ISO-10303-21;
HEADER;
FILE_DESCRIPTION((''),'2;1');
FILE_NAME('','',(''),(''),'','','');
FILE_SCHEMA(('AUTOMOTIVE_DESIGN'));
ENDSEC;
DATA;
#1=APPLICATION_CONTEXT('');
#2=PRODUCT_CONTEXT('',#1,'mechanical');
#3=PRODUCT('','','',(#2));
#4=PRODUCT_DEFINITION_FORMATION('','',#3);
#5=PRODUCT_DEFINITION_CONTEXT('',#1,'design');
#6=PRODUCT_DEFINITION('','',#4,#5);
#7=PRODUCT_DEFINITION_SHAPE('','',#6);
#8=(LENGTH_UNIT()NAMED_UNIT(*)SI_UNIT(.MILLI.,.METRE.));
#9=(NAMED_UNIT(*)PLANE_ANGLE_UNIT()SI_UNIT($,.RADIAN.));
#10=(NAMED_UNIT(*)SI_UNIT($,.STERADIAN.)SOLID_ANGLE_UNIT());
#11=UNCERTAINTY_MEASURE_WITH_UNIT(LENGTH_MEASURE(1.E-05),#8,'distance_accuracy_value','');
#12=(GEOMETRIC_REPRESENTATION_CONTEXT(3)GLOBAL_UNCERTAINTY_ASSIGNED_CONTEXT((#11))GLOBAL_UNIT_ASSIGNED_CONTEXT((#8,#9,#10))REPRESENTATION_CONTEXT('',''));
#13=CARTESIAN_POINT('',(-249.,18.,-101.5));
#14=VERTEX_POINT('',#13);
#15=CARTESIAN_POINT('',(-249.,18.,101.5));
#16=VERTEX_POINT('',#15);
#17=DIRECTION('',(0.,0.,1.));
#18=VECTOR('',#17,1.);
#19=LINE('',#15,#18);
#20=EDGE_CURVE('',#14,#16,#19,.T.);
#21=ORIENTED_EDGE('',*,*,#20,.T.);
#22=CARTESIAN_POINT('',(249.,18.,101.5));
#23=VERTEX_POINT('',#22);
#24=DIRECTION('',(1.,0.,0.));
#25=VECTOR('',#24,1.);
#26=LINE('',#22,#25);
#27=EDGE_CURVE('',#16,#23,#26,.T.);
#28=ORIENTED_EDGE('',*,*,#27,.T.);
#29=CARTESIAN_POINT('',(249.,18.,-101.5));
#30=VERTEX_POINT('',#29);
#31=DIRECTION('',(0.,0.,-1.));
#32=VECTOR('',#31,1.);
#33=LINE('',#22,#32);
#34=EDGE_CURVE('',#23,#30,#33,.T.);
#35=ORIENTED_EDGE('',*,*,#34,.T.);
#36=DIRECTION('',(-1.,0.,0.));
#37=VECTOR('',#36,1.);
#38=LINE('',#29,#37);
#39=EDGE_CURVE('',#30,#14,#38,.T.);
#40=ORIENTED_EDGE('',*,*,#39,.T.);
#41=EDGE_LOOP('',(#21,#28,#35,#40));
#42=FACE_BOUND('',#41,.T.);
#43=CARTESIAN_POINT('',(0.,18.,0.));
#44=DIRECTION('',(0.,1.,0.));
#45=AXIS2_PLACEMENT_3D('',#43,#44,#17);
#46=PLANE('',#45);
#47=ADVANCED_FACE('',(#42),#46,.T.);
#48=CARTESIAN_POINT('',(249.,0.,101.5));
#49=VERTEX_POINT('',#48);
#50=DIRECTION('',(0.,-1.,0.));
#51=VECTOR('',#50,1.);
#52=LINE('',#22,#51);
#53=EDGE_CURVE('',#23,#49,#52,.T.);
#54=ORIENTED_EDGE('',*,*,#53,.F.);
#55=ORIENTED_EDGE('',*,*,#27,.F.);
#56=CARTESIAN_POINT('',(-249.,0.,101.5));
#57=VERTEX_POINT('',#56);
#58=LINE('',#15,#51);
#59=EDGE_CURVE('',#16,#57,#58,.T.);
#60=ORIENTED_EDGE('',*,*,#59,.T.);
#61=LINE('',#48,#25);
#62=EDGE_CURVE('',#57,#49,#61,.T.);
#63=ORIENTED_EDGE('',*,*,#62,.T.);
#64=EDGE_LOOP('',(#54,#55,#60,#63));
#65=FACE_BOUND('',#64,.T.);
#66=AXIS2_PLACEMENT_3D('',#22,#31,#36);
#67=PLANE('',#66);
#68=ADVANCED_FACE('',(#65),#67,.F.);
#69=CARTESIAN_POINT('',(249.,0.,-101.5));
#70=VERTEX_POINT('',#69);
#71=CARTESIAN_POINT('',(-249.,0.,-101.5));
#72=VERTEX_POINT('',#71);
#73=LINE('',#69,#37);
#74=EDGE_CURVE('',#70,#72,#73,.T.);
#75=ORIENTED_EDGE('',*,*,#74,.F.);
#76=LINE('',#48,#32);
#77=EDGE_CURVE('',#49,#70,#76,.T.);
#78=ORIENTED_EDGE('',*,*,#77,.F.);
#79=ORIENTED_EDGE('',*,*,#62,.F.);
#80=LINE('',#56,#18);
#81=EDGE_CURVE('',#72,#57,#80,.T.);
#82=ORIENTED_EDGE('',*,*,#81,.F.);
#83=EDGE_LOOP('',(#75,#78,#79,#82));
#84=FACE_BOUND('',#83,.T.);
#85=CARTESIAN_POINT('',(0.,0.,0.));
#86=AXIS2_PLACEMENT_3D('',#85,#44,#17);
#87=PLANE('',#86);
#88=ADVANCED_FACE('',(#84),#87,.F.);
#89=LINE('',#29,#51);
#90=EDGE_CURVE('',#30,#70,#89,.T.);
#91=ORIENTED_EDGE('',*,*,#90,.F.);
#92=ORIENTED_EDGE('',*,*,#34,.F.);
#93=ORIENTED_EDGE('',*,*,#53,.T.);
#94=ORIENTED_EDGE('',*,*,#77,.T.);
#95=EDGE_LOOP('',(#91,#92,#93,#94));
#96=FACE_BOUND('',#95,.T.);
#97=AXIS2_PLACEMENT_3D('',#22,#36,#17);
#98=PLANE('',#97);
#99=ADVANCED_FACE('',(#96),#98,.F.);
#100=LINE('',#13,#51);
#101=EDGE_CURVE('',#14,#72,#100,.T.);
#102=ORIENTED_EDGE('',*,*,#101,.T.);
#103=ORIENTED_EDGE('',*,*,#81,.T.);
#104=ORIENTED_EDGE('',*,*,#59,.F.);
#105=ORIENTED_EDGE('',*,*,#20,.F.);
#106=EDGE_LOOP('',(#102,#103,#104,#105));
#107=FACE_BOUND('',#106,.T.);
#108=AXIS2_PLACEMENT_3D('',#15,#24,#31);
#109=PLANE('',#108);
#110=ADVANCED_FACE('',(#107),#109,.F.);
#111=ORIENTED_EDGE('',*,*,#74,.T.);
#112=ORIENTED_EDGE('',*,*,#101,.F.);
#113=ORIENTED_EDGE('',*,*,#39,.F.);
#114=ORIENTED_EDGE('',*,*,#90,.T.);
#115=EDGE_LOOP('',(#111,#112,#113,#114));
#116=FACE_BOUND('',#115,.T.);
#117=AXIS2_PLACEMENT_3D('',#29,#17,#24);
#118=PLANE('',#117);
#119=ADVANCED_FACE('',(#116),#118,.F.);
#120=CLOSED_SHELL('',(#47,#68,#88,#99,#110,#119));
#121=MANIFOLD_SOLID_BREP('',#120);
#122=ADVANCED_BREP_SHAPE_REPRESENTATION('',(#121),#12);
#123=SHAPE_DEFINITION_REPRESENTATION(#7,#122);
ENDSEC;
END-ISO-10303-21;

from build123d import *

# Parameters (mm, degrees)
SKETCH_1_W      = 498
SKETCH_1_H      = 203
EXTRUDE_1_DEPTH = 18


with BuildPart() as part:
    # Эскиз1 → Бобышка-Вытянуть1 (new body)
    with BuildSketch(Plane(origin=(0, 0, 0), x_dir=(1, 0, 0), z_dir=(0, 1, 0))):
        Rectangle(SKETCH_1_W, SKETCH_1_H)
    extrude(amount=EXTRUDE_1_DEPTH)


solid = part.part
